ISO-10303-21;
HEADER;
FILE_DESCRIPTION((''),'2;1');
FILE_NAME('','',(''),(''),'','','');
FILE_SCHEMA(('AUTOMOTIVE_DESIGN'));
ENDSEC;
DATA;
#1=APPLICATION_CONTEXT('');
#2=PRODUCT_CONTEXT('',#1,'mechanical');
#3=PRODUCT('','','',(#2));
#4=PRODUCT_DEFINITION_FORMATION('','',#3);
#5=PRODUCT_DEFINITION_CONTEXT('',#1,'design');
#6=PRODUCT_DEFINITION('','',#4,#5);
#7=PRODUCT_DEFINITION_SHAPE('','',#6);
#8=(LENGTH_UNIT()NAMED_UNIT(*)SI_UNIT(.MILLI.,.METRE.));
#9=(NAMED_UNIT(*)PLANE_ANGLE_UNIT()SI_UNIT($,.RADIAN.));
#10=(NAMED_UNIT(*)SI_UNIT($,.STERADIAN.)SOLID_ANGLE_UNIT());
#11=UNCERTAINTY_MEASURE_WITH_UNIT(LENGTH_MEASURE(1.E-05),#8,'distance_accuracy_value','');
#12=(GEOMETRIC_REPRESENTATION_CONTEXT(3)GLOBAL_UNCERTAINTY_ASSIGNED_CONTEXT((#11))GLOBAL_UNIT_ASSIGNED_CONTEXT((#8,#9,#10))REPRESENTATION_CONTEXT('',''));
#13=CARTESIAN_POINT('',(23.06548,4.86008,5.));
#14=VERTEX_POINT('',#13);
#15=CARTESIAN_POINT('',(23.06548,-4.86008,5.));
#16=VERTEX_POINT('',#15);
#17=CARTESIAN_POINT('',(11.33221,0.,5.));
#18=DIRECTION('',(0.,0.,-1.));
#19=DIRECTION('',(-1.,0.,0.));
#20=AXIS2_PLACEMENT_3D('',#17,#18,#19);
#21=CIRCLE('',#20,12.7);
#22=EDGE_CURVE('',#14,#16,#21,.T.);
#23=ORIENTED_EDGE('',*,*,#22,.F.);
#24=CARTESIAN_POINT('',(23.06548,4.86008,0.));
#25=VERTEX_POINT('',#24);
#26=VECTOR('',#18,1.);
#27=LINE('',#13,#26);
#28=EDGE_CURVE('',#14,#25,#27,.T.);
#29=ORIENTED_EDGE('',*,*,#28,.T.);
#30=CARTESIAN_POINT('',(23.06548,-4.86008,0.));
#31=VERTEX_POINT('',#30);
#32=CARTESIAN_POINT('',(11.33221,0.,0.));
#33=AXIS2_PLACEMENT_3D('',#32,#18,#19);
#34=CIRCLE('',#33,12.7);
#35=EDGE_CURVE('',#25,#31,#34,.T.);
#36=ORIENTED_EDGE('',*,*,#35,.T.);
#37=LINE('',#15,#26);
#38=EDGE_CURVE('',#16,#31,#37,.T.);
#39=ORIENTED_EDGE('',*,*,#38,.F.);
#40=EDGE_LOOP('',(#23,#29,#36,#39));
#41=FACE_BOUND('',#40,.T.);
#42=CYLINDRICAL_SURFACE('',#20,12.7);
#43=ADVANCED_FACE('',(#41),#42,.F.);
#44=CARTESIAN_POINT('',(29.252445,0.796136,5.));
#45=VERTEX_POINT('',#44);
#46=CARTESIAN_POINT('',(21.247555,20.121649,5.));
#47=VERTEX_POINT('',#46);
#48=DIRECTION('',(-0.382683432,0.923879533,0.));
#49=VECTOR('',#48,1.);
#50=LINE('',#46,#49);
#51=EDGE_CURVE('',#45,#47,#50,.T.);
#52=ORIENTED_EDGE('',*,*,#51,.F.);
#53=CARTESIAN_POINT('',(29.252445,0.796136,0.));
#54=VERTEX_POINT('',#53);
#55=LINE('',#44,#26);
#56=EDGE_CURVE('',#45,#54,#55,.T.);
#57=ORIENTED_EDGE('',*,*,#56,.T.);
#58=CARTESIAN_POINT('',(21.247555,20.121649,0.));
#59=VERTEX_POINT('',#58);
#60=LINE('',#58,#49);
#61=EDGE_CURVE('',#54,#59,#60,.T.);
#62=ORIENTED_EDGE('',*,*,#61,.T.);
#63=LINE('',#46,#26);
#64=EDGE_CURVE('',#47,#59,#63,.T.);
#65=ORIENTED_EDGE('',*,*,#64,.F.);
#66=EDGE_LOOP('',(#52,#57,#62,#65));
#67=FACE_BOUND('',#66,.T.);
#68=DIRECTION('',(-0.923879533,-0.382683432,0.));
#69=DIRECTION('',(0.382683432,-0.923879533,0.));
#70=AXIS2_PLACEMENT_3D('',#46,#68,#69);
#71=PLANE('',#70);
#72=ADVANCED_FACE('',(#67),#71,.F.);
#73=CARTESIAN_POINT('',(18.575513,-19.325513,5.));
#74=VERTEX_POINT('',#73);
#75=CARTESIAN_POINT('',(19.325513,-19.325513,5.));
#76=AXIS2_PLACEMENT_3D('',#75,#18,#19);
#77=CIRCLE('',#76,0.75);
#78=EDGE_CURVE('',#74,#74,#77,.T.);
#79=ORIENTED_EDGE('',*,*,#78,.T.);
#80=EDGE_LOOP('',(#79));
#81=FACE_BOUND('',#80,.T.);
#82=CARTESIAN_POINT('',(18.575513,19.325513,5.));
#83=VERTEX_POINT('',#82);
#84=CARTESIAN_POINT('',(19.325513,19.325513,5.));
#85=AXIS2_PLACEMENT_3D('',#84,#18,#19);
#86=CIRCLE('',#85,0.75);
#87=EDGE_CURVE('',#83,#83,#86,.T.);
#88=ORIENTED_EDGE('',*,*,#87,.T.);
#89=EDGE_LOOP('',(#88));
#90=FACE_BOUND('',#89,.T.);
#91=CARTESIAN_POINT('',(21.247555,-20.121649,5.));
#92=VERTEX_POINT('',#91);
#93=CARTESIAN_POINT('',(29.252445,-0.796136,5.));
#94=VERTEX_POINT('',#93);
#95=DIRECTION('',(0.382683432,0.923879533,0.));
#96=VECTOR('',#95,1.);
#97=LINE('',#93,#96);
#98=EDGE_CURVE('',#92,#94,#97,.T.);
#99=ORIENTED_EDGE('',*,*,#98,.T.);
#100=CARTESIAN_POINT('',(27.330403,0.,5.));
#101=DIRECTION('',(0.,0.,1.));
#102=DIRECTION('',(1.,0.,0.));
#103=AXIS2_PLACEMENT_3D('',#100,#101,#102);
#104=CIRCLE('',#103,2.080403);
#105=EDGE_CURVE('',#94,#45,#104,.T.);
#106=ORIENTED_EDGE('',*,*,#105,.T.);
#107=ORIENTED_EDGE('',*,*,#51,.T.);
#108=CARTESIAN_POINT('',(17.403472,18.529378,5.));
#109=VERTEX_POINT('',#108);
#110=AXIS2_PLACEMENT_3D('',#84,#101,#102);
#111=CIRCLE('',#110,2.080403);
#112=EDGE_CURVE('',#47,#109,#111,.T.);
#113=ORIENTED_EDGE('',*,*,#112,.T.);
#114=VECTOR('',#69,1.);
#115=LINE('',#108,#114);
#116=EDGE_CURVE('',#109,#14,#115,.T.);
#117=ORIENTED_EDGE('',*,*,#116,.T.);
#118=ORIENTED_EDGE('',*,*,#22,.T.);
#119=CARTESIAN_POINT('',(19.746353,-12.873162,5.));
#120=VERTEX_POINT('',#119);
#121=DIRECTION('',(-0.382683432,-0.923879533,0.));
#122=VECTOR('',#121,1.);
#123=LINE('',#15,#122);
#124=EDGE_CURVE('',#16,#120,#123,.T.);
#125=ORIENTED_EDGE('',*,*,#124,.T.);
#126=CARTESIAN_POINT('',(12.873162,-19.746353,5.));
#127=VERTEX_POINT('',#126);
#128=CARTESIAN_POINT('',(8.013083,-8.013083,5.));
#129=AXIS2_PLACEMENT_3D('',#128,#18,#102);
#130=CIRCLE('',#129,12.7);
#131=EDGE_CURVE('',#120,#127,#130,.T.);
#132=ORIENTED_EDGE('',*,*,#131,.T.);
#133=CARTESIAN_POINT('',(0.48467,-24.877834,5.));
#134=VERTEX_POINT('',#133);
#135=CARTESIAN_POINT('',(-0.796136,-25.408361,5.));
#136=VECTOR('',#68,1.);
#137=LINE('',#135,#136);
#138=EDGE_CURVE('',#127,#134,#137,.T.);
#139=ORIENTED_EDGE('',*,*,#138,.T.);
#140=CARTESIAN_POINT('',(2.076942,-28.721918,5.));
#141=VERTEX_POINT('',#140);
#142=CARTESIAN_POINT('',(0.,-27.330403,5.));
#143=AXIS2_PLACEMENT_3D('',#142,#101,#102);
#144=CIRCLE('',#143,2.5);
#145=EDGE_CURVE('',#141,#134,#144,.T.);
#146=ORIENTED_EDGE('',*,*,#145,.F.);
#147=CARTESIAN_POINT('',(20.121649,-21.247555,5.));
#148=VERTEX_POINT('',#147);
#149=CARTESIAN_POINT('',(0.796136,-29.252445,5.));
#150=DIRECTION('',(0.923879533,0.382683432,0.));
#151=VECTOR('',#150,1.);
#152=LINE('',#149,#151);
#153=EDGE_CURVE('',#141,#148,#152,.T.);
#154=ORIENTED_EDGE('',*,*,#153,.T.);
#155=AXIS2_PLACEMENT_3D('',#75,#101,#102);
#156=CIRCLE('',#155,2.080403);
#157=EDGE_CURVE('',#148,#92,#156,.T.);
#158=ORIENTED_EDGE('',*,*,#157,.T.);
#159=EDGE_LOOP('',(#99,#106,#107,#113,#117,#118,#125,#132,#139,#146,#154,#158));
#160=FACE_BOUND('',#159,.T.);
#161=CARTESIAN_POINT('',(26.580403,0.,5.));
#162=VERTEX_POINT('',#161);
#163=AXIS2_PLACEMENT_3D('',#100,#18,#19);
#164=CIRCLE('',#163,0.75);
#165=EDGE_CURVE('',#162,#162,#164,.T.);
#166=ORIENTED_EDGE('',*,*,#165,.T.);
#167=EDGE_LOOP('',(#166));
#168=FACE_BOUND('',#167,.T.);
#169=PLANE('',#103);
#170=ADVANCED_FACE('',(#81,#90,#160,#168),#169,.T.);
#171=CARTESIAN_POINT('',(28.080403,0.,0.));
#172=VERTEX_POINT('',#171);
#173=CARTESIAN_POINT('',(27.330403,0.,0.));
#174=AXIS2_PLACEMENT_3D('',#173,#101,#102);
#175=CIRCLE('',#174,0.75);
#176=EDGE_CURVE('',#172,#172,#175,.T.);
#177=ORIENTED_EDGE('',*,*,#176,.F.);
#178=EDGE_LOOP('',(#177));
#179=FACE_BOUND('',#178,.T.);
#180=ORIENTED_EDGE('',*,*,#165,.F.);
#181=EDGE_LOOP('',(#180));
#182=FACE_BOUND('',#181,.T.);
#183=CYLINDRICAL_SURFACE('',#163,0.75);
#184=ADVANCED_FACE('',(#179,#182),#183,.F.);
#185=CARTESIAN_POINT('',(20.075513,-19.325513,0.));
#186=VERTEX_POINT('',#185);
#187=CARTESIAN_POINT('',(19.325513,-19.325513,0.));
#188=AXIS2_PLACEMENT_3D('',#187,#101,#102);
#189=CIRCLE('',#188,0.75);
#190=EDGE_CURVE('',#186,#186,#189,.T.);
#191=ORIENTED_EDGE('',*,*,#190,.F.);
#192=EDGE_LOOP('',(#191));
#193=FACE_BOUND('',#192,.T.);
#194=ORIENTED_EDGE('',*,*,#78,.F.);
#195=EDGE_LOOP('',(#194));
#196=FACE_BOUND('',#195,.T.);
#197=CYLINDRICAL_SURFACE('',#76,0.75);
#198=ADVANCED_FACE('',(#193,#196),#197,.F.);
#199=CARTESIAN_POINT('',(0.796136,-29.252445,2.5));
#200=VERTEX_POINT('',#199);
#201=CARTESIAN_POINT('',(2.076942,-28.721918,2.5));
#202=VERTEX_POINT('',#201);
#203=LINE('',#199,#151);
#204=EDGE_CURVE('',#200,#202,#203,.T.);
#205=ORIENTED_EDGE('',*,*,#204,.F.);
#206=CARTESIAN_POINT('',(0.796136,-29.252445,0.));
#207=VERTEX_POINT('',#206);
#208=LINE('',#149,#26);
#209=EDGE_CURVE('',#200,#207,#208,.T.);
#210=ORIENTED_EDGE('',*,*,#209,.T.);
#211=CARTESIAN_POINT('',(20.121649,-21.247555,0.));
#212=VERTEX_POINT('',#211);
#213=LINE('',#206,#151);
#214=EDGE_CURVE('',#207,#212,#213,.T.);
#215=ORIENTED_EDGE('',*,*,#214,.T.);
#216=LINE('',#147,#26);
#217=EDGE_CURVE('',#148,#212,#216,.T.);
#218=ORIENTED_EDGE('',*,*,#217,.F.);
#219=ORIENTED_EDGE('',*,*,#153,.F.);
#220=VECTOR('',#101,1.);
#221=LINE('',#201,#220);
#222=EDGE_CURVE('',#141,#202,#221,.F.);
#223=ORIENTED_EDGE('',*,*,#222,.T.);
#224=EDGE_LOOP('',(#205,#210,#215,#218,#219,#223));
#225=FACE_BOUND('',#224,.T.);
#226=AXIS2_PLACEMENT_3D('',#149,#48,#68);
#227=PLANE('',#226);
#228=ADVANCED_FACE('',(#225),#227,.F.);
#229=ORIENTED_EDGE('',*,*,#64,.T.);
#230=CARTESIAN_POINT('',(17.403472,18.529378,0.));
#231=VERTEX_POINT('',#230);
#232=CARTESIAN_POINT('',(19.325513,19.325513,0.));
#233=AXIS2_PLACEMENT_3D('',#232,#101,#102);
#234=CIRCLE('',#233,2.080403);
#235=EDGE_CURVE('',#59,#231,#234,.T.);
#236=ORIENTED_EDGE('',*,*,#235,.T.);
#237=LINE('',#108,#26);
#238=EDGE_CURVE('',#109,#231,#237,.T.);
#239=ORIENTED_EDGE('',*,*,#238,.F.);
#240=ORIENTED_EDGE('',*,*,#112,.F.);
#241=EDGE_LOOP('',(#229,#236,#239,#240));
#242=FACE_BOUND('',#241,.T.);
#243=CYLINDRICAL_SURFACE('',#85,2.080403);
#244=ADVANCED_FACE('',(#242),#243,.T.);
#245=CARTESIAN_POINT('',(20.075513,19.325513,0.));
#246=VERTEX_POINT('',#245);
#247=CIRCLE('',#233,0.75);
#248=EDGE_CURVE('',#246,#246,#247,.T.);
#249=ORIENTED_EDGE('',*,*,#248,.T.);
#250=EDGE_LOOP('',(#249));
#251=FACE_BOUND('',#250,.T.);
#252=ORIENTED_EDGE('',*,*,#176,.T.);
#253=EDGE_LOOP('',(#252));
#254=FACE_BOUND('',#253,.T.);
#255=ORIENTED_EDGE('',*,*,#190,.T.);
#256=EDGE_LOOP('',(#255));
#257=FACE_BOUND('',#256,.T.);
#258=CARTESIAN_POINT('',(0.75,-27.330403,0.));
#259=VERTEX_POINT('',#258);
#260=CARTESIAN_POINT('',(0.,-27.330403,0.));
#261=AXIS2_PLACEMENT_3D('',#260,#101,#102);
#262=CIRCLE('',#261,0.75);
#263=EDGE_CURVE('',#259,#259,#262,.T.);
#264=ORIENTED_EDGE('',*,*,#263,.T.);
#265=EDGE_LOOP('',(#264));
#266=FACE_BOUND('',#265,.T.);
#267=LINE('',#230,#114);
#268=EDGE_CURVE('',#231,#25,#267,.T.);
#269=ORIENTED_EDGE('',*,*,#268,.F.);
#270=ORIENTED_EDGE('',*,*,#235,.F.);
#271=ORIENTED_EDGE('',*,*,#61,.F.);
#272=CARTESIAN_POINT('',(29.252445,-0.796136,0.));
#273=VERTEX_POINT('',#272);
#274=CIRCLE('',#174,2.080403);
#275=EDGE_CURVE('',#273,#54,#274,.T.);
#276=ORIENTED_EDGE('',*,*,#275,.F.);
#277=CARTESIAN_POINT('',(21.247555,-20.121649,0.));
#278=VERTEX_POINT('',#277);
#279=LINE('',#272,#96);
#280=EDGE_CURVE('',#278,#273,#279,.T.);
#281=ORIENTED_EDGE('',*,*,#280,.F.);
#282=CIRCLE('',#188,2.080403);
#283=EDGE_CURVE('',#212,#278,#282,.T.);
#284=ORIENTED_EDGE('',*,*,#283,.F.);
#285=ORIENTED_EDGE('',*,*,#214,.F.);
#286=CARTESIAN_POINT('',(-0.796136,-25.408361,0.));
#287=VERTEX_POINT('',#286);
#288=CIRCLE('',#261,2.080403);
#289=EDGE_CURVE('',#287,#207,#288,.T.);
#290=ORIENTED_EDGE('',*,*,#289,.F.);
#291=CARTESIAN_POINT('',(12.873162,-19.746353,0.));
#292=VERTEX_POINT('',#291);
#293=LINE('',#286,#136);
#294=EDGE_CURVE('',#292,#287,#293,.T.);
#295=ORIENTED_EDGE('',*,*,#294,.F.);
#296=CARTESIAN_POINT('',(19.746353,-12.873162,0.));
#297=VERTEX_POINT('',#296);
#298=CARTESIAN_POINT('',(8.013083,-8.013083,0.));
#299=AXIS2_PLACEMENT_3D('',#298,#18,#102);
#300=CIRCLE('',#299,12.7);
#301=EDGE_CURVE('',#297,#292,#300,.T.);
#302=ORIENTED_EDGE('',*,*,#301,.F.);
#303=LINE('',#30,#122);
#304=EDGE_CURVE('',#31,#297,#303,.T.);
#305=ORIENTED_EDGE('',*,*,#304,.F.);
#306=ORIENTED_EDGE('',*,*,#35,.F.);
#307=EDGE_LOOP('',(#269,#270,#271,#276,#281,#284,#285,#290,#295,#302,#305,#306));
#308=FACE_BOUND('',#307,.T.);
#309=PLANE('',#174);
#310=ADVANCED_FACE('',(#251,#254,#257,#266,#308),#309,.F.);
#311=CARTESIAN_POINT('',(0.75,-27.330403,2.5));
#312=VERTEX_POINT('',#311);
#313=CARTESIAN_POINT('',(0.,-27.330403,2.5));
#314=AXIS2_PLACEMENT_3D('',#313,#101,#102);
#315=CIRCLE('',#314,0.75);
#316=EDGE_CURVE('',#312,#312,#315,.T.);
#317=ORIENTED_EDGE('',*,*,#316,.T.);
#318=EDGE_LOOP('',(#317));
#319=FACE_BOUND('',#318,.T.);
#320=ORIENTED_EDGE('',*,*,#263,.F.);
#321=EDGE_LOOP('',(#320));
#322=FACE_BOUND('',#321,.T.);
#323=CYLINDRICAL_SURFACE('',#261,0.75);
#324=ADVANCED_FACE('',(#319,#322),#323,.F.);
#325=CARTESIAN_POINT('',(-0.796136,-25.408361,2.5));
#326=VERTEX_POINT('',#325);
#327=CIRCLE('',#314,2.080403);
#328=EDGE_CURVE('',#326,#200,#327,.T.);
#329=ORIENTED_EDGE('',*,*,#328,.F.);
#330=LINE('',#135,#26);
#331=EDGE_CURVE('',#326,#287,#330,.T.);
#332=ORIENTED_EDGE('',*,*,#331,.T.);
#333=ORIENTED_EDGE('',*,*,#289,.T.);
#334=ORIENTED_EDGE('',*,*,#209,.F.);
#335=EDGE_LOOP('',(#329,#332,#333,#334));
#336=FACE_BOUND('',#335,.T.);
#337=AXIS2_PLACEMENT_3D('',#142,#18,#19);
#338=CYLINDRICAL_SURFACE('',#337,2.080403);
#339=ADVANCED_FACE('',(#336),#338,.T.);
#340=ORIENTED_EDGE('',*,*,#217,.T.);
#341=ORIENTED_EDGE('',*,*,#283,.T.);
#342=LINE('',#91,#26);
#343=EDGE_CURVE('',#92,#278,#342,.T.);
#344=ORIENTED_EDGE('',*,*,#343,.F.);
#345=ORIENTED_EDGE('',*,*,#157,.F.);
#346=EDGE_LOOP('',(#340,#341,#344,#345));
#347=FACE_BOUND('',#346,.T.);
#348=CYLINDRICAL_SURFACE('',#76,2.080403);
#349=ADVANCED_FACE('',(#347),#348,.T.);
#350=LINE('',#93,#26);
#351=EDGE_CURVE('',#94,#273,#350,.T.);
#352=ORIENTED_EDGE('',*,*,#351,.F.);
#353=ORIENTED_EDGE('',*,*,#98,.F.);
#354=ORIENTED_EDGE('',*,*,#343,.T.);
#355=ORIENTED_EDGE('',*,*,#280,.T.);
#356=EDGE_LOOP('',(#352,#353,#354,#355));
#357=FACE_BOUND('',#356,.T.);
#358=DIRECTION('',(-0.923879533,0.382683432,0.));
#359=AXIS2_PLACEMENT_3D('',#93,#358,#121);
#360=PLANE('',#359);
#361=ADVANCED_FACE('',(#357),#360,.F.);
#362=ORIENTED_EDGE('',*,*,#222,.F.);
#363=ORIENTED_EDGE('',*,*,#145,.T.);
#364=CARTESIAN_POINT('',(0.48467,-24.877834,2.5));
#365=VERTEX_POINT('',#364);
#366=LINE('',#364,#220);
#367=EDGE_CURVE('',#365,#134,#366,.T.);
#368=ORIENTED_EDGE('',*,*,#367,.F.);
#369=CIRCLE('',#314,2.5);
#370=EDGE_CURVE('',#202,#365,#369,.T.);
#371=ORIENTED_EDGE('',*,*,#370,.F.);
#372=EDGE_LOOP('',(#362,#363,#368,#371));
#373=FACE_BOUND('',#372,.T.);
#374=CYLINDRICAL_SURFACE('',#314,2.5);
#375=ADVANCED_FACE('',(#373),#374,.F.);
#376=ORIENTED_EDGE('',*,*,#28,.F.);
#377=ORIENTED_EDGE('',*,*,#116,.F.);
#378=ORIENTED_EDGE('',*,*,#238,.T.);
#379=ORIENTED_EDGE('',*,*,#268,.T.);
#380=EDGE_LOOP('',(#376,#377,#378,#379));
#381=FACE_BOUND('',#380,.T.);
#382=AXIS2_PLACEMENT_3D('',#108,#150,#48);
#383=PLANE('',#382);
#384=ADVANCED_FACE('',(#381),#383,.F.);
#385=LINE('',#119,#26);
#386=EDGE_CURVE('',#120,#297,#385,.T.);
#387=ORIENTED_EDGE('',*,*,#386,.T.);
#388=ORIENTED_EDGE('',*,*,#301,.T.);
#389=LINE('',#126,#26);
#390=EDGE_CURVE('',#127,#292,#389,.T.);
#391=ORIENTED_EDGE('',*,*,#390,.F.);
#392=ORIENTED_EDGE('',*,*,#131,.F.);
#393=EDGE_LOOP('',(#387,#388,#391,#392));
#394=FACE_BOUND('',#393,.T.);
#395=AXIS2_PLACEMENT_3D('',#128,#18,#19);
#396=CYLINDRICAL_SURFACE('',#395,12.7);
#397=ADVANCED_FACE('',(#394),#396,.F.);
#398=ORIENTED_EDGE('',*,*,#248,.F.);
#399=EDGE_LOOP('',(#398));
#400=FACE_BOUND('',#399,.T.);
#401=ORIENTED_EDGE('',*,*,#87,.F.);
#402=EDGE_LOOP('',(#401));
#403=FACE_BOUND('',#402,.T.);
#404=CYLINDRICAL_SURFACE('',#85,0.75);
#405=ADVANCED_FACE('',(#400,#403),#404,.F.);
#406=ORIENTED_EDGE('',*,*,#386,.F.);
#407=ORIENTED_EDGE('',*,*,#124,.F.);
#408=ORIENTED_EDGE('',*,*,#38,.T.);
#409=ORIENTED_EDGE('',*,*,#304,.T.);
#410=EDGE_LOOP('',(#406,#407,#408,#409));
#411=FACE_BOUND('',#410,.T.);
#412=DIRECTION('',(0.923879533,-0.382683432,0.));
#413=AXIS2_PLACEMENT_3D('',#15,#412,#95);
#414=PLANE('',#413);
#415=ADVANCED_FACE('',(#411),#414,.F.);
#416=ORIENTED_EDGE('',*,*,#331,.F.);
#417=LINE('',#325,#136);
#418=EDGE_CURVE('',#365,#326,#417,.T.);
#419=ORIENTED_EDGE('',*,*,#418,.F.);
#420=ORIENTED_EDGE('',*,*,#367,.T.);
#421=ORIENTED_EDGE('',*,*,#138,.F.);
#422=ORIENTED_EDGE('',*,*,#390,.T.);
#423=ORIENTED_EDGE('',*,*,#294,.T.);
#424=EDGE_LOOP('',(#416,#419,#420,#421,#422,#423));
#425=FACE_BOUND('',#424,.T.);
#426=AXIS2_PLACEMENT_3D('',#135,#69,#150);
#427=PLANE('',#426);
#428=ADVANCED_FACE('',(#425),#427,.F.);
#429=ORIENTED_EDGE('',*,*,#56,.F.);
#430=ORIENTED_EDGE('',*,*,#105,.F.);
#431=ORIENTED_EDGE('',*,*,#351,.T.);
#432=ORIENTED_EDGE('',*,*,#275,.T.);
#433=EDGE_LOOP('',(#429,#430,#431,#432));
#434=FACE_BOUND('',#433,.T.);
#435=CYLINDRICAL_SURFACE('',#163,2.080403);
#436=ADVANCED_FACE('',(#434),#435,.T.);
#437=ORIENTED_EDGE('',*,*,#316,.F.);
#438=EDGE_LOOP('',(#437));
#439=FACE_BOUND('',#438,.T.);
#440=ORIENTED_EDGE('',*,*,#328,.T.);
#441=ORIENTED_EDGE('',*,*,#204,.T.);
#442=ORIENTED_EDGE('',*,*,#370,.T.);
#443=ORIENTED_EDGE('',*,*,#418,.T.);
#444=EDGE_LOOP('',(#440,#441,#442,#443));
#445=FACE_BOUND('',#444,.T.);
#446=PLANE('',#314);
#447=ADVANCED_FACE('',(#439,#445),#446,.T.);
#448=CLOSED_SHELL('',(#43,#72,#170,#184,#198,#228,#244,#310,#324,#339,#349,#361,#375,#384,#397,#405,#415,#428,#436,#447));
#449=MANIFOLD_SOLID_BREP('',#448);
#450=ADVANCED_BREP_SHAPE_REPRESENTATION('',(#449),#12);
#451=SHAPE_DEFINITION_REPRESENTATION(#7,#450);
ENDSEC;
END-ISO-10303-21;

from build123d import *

# Parameters (mm, degrees)
BOSS_EXTRUDE1_DEPTH     = 5
SKETCH2_R               = 2.5
CUT_EXTRUDE1_DEPTH      = 2.5
CUT_EXTRUDE2_DEPTH      = 42.668225696
CUT_EXTRUDE2_DEPTH_BACK = 42.668225696
SKETCH3_R               = 0.75
CUT_EXTRUDE3_DEPTH      = 42.892613104
CUT_EXTRUDE3_DEPTH_BACK = 42.892613104
SKETCH4_R               = 0.75


with BuildPart() as part:
    # Sketch1 → Boss-Extrude1 (new body)
    with BuildSketch(Plane.XY):
        with BuildLine():
            Line((21.247555139, 20.121649117), (29.252444861, 0.796135783))
            ThreePointArc((29.252444861, 0.796135783), (29.410806115, 0), (29.252444861, -0.796135783))
            Line((29.252444861, -0.796135783), (21.247555139, -20.121649117))
            ThreePointArc((21.247555139, -20.121649117), (20.796580444, -20.796580444), (20.121649117, -21.247555139))
            Line((20.121649117, -21.247555139), (0.796135783, -29.252444861))
            ThreePointArc((0.796135783, -29.252444861), (-1.922041804, -28.12653884), (-0.796135783, -25.408361253))
            Line((-0.796135783, -25.408361253), (12.873162178, -19.74635265))
            ThreePointArc((12.873162178, -19.74635265), (16.993338708, -16.993338708), (19.74635265, -12.873162178))
            Line((19.74635265, -12.873162178), (23.065480134, -4.860079591))
            ThreePointArc((23.065480134, -4.860079591), (24.032210071, 0), (23.065480134, 4.860079591))
            Line((23.065480134, 4.860079591), (17.40347153, 18.529377552))
            ThreePointArc((17.40347153, 18.529377552), (18.529377552, 21.247555139), (21.247555139, 20.121649117))
        make_face()
    extrude(amount=BOSS_EXTRUDE1_DEPTH)

    # Sketch2 → Cut-Extrude1 (cut)
    with BuildSketch(Plane.XY.offset(5)):
        with Locations((0, -27.330403057)):
            Circle(SKETCH2_R)
    extrude(amount=-CUT_EXTRUDE1_DEPTH, mode=Mode.SUBTRACT)

    # Sketch3 → Cut-Extrude2 (cut, two sides: drawn at the far end of the back side and taken through both)
    with BuildSketch(Plane.XY.offset(2.5).offset(-CUT_EXTRUDE2_DEPTH_BACK)):
        with Locations((0, -27.330403057)):
            Circle(SKETCH3_R)
    extrude(amount=CUT_EXTRUDE2_DEPTH + CUT_EXTRUDE2_DEPTH_BACK, mode=Mode.SUBTRACT)

    # Sketch4 → Cut-Extrude3 (cut, two sides: drawn at the far end of the back side and taken through both)
    with BuildSketch(Plane(origin=(0, 0, 0), x_dir=(-1, 0, 0), z_dir=(0, 0, -1)).offset(-CUT_EXTRUDE3_DEPTH_BACK)):
        with Locations((-19.325513334, 19.325513334)):
            Circle(SKETCH4_R)
        with Locations((-27.330403057, 0)):
            Circle(SKETCH4_R)
        with Locations((-19.325513334, -19.325513334)):
            Circle(SKETCH4_R)
    extrude(amount=CUT_EXTRUDE3_DEPTH + CUT_EXTRUDE3_DEPTH_BACK, mode=Mode.SUBTRACT)


solid = part.part
